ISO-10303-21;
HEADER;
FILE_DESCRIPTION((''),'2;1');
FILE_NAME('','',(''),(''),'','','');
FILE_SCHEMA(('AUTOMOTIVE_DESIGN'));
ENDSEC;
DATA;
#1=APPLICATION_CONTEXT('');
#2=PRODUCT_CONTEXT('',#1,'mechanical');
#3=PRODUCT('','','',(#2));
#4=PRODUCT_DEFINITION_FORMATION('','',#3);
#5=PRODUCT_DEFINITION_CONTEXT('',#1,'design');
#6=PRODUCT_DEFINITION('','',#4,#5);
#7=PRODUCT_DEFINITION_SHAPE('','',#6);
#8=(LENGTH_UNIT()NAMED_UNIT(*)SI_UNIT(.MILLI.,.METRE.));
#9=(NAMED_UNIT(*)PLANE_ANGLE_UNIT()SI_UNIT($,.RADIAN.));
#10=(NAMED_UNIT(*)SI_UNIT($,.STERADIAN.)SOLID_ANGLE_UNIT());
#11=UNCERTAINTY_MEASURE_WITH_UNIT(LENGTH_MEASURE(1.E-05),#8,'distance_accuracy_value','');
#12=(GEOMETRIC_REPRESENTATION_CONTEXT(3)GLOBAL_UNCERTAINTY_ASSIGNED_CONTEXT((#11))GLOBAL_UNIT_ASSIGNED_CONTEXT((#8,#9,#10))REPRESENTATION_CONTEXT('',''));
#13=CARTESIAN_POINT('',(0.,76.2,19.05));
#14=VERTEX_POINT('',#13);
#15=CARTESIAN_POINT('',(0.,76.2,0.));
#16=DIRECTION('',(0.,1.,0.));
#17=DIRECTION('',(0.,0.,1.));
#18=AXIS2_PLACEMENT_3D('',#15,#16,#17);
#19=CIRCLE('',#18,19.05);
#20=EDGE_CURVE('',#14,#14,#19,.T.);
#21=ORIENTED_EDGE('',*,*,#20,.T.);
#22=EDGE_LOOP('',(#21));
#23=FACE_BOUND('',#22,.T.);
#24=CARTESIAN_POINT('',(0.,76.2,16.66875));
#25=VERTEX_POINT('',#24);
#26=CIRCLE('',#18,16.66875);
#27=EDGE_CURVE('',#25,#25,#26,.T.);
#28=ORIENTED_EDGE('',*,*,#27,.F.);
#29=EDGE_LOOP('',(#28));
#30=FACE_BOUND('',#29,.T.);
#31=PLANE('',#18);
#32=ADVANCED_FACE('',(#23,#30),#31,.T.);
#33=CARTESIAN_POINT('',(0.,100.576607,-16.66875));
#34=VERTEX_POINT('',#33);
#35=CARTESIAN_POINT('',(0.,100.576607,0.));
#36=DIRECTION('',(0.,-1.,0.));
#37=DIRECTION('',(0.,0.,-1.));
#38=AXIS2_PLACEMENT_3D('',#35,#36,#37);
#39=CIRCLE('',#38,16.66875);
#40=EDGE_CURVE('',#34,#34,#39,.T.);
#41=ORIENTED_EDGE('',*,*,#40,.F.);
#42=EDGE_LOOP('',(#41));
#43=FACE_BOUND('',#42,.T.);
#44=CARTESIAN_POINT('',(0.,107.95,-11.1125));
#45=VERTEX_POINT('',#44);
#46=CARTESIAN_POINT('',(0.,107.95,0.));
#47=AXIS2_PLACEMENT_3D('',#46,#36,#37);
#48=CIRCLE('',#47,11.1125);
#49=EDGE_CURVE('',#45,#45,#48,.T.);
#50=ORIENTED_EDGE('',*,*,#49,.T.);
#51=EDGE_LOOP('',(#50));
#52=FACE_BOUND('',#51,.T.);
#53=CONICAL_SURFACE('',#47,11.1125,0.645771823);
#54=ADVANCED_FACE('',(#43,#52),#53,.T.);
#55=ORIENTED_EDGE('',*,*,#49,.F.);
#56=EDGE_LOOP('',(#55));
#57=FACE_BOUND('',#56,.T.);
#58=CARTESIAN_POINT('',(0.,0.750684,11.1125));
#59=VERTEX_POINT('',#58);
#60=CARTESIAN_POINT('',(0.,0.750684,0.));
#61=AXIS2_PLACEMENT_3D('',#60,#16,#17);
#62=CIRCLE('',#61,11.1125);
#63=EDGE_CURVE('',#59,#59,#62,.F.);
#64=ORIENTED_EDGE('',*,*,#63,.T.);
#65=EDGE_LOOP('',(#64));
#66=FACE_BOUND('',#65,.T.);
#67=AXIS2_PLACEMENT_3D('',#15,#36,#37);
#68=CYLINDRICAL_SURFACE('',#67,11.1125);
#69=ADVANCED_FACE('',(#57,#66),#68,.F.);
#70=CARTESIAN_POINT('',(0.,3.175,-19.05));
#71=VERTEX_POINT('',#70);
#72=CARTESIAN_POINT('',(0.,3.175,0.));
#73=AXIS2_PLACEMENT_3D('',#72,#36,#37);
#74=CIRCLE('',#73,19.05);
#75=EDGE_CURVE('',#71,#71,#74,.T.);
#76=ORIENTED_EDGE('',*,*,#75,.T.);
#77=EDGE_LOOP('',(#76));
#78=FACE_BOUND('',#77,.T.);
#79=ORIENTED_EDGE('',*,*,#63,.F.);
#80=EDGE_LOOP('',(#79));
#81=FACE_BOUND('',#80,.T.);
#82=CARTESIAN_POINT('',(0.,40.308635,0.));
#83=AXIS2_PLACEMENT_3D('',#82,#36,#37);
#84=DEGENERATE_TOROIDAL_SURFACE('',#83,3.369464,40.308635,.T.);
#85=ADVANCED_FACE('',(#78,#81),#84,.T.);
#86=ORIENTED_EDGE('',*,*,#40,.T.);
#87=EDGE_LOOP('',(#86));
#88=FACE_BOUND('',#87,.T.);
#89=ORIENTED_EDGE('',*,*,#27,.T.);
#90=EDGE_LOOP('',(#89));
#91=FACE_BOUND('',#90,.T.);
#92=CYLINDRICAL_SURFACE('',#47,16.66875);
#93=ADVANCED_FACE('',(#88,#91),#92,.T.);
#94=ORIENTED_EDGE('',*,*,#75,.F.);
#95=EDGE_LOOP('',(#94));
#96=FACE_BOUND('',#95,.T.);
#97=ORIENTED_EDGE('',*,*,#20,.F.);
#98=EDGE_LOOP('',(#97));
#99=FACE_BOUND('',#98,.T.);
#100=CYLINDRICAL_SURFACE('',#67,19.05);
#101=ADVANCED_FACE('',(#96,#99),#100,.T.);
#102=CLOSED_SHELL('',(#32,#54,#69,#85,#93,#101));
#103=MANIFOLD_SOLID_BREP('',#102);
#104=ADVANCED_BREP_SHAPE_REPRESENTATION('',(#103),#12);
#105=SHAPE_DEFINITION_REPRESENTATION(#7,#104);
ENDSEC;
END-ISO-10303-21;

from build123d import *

# Parameters (mm, degrees)
SKETCH1_R           = 19.05
SKETCH1_R_2         = 11.1125
BOSS_EXTRUDE1_DEPTH = 76.2
SKETCH2_R           = 16.66875
SKETCH2_R_2         = 11.1125
BOSS_EXTRUDE2_DEPTH = 31.75


with BuildPart() as part:
    # Sketch1 → Boss-Extrude1 (new body)
    with BuildSketch(Plane(origin=(0, 0, 0), x_dir=(1, 0, 0), z_dir=(0, 1, 0))):
        Circle(SKETCH1_R)
        Circle(SKETCH1_R_2, mode=Mode.SUBTRACT)
    extrude(amount=BOSS_EXTRUDE1_DEPTH)

    # Sketch2 → Boss-Extrude2 (add)
    with BuildSketch(Plane(origin=(0, 76.2, 0), x_dir=(1, 0, 0), z_dir=(0, 1, 0))):
        Circle(SKETCH2_R)
        Circle(SKETCH2_R_2, mode=Mode.SUBTRACT)
    extrude(amount=BOSS_EXTRUDE2_DEPTH)

    # Sketch3 → Cut-Revolve1 (revolve, cut)
    with BuildSketch(Plane(origin=(0, 0, 0), x_dir=(0, 0, -1), z_dir=(1, 0, 0))):
        Polygon((16.66875, 107.95), (16.66875, 100.57660721), (11.1125, 107.95), align=None)
    revolve(axis=Axis((0, 107.95, 0), (0, 1, 0)), mode=Mode.SUBTRACT)

    # Sketch8 → Cut-Revolve4 (revolve, cut)
    with BuildSketch(Plane.XY):
        with BuildLine():
            Line((0, 0), (-3.369464108, 0))
            ThreePointArc((-3.369464108, 0), (-11.368836441, 0.801722978), (-19.05, 3.175))
            Line((-19.05, 3.175), (-19.05, -4.469484217))
            Line((-19.05, -4.469484217), (0, -4.469484217))
            Line((0, -4.469484217), (0, 0))
        make_face()
    revolve(axis=Axis((0, 0, 0), (0, 1, 0)), mode=Mode.SUBTRACT)


solid = part.part
